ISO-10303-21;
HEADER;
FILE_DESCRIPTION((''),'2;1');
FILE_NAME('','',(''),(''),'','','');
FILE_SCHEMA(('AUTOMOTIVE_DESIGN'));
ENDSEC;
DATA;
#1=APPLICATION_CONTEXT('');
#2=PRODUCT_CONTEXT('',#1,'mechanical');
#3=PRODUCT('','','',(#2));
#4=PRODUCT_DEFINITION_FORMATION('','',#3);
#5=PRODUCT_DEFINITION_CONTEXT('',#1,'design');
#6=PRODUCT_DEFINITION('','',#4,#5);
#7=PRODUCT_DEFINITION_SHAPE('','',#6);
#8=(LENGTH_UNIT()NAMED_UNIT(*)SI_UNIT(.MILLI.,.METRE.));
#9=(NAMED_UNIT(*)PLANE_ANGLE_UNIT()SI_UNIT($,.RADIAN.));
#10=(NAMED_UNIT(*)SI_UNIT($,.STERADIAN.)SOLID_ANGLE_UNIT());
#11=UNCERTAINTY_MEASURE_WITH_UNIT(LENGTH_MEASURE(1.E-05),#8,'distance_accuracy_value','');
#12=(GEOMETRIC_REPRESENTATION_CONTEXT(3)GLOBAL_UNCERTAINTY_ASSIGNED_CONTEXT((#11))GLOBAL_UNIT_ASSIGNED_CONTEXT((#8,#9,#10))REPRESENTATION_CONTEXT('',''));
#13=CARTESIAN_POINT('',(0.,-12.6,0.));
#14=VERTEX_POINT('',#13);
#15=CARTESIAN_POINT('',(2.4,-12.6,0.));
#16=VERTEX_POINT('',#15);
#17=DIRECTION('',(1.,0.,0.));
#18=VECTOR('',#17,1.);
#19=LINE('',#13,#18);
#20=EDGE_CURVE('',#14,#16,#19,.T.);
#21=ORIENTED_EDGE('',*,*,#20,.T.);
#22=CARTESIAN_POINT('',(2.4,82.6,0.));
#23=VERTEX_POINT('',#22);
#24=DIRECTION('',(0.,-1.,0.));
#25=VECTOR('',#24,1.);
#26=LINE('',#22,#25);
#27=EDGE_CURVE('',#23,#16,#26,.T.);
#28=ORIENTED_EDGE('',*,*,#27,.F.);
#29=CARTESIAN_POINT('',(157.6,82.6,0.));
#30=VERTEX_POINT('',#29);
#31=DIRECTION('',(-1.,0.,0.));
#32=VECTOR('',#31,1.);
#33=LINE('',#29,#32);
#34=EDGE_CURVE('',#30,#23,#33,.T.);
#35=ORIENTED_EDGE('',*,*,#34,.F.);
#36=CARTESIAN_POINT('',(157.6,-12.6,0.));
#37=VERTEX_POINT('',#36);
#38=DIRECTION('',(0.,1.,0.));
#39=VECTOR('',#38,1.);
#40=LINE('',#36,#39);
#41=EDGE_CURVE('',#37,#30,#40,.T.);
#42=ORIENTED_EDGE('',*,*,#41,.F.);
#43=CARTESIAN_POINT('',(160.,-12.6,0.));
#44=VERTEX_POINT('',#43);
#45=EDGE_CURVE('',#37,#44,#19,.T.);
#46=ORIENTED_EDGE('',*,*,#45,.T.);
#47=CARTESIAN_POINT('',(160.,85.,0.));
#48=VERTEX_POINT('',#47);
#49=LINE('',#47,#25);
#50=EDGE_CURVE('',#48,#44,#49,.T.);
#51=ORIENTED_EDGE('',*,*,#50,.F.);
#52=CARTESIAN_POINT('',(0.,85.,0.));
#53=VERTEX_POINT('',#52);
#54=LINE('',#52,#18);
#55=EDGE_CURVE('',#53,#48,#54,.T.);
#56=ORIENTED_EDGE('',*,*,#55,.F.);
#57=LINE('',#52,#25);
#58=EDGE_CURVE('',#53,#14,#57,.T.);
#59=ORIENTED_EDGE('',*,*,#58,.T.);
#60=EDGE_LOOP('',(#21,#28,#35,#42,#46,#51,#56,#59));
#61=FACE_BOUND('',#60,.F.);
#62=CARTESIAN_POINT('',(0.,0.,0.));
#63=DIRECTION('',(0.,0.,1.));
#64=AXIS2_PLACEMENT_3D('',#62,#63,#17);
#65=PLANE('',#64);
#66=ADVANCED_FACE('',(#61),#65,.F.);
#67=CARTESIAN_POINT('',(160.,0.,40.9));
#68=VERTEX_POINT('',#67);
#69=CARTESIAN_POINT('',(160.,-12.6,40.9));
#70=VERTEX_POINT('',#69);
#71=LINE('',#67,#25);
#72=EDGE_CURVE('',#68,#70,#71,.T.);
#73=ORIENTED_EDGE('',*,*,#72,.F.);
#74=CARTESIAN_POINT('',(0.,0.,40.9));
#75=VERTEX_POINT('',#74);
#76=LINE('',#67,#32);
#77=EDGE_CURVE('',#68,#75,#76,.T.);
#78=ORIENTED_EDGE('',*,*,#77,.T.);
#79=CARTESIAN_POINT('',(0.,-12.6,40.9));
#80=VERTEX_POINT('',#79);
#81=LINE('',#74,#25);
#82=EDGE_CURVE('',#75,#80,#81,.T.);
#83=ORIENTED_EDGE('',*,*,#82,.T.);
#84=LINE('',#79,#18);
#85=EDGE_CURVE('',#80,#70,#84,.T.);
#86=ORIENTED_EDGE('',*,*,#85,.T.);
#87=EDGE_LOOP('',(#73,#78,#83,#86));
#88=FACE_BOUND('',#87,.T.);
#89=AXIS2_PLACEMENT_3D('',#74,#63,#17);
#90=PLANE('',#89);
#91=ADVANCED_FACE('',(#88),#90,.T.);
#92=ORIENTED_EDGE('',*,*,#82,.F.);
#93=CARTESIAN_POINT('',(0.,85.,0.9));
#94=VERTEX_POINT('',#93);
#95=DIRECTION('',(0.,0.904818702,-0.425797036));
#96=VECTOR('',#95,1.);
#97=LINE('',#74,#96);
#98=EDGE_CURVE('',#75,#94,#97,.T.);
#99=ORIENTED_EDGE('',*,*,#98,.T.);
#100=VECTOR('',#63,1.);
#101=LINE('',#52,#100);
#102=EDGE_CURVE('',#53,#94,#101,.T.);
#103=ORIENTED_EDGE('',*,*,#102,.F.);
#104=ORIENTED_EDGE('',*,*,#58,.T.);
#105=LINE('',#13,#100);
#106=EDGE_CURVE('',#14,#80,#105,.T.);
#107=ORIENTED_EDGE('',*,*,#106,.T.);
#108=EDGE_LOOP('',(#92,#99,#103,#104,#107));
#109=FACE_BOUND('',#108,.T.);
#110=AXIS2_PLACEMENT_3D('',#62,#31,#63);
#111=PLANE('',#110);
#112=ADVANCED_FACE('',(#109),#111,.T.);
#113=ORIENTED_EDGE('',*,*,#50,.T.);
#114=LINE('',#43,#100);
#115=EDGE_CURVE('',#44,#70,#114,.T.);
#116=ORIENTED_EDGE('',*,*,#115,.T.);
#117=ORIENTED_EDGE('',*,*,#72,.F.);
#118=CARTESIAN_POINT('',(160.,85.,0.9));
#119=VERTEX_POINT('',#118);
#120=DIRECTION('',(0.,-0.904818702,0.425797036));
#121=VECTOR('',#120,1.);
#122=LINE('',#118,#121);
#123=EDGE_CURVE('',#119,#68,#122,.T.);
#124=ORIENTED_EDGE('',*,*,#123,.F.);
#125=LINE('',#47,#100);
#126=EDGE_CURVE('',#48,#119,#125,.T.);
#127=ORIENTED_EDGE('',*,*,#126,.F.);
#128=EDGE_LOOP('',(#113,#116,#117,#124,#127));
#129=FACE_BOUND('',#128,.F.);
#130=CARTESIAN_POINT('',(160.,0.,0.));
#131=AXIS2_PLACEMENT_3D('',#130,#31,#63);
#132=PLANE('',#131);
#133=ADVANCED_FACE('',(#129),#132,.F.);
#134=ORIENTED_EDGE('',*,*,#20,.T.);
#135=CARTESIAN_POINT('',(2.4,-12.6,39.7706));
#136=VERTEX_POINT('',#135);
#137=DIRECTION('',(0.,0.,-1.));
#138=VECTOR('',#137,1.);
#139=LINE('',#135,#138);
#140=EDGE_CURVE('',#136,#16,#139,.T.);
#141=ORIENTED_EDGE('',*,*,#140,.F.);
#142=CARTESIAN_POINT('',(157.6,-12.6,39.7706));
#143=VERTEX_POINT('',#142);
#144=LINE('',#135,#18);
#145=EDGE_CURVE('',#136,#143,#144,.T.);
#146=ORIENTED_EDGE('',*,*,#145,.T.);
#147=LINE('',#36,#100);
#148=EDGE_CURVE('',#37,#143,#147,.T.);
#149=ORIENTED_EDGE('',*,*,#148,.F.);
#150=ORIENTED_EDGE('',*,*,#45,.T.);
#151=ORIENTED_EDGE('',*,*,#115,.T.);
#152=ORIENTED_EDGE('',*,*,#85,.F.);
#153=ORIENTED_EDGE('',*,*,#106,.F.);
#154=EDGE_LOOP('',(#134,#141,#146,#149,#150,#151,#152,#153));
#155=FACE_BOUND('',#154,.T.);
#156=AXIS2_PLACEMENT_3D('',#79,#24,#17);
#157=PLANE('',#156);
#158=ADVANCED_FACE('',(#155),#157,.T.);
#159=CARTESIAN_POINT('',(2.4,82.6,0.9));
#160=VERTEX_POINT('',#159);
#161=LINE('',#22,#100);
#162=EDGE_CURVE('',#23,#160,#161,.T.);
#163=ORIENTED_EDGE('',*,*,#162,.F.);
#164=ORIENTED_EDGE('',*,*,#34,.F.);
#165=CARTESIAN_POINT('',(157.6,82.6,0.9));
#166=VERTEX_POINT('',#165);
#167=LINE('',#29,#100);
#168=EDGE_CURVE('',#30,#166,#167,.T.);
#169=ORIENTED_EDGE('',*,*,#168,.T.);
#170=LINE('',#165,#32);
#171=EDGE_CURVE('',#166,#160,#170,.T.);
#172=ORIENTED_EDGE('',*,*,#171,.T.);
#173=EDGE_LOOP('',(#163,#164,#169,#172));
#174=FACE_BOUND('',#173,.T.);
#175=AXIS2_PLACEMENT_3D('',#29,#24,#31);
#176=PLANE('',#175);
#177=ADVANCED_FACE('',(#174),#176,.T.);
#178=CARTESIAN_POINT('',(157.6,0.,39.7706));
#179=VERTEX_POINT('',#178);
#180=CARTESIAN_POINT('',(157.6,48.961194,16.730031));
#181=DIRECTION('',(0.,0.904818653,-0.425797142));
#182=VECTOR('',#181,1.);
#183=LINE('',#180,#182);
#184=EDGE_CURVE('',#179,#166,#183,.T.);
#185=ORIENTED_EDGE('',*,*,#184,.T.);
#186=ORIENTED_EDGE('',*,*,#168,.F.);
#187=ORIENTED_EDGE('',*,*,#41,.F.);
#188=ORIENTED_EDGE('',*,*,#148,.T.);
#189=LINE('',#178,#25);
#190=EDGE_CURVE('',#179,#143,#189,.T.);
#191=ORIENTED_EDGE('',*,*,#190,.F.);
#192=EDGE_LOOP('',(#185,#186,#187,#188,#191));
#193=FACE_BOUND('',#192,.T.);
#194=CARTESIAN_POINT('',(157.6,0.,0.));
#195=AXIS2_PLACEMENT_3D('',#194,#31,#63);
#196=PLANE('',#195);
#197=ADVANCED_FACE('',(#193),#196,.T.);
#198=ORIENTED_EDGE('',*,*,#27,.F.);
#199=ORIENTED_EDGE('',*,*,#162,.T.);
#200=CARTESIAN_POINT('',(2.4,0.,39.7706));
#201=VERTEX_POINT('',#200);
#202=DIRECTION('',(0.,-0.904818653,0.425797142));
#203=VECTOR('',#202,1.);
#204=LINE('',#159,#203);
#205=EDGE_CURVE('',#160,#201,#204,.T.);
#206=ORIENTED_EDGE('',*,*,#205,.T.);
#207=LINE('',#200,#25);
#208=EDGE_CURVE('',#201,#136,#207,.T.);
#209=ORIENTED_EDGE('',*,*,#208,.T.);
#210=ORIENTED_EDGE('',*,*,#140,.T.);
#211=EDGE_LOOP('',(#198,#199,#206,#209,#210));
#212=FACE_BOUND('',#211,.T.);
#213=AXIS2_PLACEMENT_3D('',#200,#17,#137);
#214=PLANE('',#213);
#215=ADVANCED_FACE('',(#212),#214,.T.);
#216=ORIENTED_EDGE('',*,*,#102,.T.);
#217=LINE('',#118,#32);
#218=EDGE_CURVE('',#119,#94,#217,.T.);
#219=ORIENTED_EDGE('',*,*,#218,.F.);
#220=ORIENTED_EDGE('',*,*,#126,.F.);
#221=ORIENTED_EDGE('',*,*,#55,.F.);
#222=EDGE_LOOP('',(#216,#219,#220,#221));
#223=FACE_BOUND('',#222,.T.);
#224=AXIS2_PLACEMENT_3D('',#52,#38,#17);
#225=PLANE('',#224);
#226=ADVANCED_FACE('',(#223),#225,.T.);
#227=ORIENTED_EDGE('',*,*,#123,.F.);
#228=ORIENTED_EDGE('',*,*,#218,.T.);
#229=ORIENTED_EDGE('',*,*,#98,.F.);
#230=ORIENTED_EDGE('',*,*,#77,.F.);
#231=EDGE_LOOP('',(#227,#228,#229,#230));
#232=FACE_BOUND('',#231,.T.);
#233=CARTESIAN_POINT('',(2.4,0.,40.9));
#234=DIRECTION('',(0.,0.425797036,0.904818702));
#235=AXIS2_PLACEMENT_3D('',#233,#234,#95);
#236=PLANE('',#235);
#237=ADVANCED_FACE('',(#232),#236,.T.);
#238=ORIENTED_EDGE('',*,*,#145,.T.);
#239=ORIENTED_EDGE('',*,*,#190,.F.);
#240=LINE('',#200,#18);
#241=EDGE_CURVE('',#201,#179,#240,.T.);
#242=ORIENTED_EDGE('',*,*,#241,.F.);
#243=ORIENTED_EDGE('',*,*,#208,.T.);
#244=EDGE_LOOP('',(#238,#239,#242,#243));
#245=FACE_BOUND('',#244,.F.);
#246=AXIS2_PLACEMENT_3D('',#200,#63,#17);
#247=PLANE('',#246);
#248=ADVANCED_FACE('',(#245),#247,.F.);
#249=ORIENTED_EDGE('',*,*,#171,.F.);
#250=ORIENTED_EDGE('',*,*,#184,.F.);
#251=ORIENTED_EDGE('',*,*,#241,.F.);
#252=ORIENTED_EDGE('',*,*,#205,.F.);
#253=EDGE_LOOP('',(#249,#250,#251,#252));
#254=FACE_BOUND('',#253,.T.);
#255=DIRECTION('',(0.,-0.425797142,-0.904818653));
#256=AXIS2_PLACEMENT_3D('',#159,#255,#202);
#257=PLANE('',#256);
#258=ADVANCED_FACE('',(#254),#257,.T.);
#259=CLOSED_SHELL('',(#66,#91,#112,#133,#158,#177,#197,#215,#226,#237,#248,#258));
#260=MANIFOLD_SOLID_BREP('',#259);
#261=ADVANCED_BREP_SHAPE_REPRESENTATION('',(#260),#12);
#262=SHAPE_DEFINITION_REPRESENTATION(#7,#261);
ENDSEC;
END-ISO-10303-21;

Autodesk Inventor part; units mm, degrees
ref_plane "YZ Plane" through (0, 0, 0) normal (1, 0, 0) x (0, 1, 0)
ref_plane "XZ Plane" through (0, 0, 0) normal (0, 1, 0) x (-1, 0, 0)
ref_plane "XY Plane" through (0, 0, 0) normal (0, 0, 1) x (1, 0, 0)
sketch "Sketch1" plane through (0, 0, 0) normal (0, 0, 1) x (1, 0, 0)
  line L0 (0, 0) -> (0, 85)
  line L1 (0, 85) -> (160, 85)
  line L2 (160, 85) -> (160, 0)
  line L3 (160, 0) -> (157.6, 0)
  line L4 (157.6, 0) -> (157.6, 82.6)
  line L5 (157.6, 82.6) -> (2.4, 82.6)
  line L6 (2.4, 82.6) -> (2.4, 0)
  line L7 (2.4, 0) -> (0, 0)
  dimension "d0" = 85
  dimension "d1" = 160
  dimension "d2" = 2.4
  dimension "d3" = 82.6
  dimension "d4" = 155.2
extrude "Extrusion1" add sketch "Sketch1" along normal blind 0.9
sketch "Sketch2" plane through (0, 0, 0) normal (-1, 0, 0) x (0, 0, 1)
  line L0 (0, 0) -> (0.9, 0) projected
  line L1 (0.9, 0) -> (40.9, 0)
  line L2 (0.9, 0) -> (0.9, 85) projected
  line L3 (0.9, 85) -> (0.9, 0)
  line L4 (40.9, 0) -> (110.9, 0) construction
  line L5 (0.9, 85) -> (0.9, 0) projected
  line L6 (40.9, 0) -> (0.9, 85)
  dimension "d7" = 40
extrude "Extrusion2" add sketch "Sketch2" against normal blind 2.4
sketch "Sketch3" plane through (160, 0, 0) normal (1, 0, 0) x (0, 0, -1)
  line L0 (-0.9, 0) -> (-0.9, 85) projected
  line L1 (-0.9, 0) -> (-30.8653, 0)
  line L2 (0, 0) -> (-40.9, 0) projected
  line L3 (-0.9, 0) -> (-40.9, 0)
  line L4 (0, 85) -> (-0.9, 85) projected
  line L5 (-0.9, 85) -> (-0.9, 0)
  line L6 (0, 0) -> (-40.9, 0) projected
  line L7 (-0.9, 85) -> (-40.9, 0) projected
  line L8 (-0.9, 85) -> (-40.9, 0)
extrude "Extrusion3" add sketch "Sketch3" against normal blind 2.4
sketch "Sketch5" plane through (2.4, 0, 0) normal (1, 0, 0) x (0, 0, -1)
  line L0 (0, 0) -> (-40.9, 0) projected
  line L1 (-40.9, 0) -> (-0.9, 85)
  line L2 (-0.9, 85) -> (-0.9, 82.6) projected
  line L3 (-0.9, 85) -> (-0.9, 82.6)
  line L4 (-0.9, 82.6) -> (-39.7706, 0)
  line L5 (-39.7706, 0) -> (-40.9, 0)
extrude "Extrusion5" add sketch "Sketch5" along normal blind 156
sketch "Sketch6" plane through (0, 0, 40.9) normal (0, -1, 0) x (1, 0, 0)
  line L0 (0, -40.9) -> (160, -40.9) projected
  line L1 (0, 0) -> (0, -40) projected
  line L2 (0, -40.9) -> (0, 0)
  line L3 (0, 0) -> (160, 0) projected
  line L4 (0, 0) -> (160, 0)
  line L5 (160, -40.9) -> (160, 0) projected
  line L6 (160, 0) -> (160, -40.9)
  line L7 (157.6, -40.9) -> (157.6, -1.1294) projected
  line L8 (160, -40.9) -> (157.6, -40.9)
  line L9 (157.6, -40.9) -> (157.6, -1.1294)
  line L10 (2.4, -1.1294) -> (157.6, -1.1294) projected
  line L11 (157.6, -1.1294) -> (2.4, -1.1294)
  line L12 (2.4, -1.1294) -> (2.4, -40.9)
  line L13 (2.4, -40.9) -> (0, -40.9)
extrude "Extrusion6" add sketch "Sketch6" along normal blind 12.6 contours L2 L1 L3 L5 L0 L7 L10 L12
properties part number "Front_Chassi"
